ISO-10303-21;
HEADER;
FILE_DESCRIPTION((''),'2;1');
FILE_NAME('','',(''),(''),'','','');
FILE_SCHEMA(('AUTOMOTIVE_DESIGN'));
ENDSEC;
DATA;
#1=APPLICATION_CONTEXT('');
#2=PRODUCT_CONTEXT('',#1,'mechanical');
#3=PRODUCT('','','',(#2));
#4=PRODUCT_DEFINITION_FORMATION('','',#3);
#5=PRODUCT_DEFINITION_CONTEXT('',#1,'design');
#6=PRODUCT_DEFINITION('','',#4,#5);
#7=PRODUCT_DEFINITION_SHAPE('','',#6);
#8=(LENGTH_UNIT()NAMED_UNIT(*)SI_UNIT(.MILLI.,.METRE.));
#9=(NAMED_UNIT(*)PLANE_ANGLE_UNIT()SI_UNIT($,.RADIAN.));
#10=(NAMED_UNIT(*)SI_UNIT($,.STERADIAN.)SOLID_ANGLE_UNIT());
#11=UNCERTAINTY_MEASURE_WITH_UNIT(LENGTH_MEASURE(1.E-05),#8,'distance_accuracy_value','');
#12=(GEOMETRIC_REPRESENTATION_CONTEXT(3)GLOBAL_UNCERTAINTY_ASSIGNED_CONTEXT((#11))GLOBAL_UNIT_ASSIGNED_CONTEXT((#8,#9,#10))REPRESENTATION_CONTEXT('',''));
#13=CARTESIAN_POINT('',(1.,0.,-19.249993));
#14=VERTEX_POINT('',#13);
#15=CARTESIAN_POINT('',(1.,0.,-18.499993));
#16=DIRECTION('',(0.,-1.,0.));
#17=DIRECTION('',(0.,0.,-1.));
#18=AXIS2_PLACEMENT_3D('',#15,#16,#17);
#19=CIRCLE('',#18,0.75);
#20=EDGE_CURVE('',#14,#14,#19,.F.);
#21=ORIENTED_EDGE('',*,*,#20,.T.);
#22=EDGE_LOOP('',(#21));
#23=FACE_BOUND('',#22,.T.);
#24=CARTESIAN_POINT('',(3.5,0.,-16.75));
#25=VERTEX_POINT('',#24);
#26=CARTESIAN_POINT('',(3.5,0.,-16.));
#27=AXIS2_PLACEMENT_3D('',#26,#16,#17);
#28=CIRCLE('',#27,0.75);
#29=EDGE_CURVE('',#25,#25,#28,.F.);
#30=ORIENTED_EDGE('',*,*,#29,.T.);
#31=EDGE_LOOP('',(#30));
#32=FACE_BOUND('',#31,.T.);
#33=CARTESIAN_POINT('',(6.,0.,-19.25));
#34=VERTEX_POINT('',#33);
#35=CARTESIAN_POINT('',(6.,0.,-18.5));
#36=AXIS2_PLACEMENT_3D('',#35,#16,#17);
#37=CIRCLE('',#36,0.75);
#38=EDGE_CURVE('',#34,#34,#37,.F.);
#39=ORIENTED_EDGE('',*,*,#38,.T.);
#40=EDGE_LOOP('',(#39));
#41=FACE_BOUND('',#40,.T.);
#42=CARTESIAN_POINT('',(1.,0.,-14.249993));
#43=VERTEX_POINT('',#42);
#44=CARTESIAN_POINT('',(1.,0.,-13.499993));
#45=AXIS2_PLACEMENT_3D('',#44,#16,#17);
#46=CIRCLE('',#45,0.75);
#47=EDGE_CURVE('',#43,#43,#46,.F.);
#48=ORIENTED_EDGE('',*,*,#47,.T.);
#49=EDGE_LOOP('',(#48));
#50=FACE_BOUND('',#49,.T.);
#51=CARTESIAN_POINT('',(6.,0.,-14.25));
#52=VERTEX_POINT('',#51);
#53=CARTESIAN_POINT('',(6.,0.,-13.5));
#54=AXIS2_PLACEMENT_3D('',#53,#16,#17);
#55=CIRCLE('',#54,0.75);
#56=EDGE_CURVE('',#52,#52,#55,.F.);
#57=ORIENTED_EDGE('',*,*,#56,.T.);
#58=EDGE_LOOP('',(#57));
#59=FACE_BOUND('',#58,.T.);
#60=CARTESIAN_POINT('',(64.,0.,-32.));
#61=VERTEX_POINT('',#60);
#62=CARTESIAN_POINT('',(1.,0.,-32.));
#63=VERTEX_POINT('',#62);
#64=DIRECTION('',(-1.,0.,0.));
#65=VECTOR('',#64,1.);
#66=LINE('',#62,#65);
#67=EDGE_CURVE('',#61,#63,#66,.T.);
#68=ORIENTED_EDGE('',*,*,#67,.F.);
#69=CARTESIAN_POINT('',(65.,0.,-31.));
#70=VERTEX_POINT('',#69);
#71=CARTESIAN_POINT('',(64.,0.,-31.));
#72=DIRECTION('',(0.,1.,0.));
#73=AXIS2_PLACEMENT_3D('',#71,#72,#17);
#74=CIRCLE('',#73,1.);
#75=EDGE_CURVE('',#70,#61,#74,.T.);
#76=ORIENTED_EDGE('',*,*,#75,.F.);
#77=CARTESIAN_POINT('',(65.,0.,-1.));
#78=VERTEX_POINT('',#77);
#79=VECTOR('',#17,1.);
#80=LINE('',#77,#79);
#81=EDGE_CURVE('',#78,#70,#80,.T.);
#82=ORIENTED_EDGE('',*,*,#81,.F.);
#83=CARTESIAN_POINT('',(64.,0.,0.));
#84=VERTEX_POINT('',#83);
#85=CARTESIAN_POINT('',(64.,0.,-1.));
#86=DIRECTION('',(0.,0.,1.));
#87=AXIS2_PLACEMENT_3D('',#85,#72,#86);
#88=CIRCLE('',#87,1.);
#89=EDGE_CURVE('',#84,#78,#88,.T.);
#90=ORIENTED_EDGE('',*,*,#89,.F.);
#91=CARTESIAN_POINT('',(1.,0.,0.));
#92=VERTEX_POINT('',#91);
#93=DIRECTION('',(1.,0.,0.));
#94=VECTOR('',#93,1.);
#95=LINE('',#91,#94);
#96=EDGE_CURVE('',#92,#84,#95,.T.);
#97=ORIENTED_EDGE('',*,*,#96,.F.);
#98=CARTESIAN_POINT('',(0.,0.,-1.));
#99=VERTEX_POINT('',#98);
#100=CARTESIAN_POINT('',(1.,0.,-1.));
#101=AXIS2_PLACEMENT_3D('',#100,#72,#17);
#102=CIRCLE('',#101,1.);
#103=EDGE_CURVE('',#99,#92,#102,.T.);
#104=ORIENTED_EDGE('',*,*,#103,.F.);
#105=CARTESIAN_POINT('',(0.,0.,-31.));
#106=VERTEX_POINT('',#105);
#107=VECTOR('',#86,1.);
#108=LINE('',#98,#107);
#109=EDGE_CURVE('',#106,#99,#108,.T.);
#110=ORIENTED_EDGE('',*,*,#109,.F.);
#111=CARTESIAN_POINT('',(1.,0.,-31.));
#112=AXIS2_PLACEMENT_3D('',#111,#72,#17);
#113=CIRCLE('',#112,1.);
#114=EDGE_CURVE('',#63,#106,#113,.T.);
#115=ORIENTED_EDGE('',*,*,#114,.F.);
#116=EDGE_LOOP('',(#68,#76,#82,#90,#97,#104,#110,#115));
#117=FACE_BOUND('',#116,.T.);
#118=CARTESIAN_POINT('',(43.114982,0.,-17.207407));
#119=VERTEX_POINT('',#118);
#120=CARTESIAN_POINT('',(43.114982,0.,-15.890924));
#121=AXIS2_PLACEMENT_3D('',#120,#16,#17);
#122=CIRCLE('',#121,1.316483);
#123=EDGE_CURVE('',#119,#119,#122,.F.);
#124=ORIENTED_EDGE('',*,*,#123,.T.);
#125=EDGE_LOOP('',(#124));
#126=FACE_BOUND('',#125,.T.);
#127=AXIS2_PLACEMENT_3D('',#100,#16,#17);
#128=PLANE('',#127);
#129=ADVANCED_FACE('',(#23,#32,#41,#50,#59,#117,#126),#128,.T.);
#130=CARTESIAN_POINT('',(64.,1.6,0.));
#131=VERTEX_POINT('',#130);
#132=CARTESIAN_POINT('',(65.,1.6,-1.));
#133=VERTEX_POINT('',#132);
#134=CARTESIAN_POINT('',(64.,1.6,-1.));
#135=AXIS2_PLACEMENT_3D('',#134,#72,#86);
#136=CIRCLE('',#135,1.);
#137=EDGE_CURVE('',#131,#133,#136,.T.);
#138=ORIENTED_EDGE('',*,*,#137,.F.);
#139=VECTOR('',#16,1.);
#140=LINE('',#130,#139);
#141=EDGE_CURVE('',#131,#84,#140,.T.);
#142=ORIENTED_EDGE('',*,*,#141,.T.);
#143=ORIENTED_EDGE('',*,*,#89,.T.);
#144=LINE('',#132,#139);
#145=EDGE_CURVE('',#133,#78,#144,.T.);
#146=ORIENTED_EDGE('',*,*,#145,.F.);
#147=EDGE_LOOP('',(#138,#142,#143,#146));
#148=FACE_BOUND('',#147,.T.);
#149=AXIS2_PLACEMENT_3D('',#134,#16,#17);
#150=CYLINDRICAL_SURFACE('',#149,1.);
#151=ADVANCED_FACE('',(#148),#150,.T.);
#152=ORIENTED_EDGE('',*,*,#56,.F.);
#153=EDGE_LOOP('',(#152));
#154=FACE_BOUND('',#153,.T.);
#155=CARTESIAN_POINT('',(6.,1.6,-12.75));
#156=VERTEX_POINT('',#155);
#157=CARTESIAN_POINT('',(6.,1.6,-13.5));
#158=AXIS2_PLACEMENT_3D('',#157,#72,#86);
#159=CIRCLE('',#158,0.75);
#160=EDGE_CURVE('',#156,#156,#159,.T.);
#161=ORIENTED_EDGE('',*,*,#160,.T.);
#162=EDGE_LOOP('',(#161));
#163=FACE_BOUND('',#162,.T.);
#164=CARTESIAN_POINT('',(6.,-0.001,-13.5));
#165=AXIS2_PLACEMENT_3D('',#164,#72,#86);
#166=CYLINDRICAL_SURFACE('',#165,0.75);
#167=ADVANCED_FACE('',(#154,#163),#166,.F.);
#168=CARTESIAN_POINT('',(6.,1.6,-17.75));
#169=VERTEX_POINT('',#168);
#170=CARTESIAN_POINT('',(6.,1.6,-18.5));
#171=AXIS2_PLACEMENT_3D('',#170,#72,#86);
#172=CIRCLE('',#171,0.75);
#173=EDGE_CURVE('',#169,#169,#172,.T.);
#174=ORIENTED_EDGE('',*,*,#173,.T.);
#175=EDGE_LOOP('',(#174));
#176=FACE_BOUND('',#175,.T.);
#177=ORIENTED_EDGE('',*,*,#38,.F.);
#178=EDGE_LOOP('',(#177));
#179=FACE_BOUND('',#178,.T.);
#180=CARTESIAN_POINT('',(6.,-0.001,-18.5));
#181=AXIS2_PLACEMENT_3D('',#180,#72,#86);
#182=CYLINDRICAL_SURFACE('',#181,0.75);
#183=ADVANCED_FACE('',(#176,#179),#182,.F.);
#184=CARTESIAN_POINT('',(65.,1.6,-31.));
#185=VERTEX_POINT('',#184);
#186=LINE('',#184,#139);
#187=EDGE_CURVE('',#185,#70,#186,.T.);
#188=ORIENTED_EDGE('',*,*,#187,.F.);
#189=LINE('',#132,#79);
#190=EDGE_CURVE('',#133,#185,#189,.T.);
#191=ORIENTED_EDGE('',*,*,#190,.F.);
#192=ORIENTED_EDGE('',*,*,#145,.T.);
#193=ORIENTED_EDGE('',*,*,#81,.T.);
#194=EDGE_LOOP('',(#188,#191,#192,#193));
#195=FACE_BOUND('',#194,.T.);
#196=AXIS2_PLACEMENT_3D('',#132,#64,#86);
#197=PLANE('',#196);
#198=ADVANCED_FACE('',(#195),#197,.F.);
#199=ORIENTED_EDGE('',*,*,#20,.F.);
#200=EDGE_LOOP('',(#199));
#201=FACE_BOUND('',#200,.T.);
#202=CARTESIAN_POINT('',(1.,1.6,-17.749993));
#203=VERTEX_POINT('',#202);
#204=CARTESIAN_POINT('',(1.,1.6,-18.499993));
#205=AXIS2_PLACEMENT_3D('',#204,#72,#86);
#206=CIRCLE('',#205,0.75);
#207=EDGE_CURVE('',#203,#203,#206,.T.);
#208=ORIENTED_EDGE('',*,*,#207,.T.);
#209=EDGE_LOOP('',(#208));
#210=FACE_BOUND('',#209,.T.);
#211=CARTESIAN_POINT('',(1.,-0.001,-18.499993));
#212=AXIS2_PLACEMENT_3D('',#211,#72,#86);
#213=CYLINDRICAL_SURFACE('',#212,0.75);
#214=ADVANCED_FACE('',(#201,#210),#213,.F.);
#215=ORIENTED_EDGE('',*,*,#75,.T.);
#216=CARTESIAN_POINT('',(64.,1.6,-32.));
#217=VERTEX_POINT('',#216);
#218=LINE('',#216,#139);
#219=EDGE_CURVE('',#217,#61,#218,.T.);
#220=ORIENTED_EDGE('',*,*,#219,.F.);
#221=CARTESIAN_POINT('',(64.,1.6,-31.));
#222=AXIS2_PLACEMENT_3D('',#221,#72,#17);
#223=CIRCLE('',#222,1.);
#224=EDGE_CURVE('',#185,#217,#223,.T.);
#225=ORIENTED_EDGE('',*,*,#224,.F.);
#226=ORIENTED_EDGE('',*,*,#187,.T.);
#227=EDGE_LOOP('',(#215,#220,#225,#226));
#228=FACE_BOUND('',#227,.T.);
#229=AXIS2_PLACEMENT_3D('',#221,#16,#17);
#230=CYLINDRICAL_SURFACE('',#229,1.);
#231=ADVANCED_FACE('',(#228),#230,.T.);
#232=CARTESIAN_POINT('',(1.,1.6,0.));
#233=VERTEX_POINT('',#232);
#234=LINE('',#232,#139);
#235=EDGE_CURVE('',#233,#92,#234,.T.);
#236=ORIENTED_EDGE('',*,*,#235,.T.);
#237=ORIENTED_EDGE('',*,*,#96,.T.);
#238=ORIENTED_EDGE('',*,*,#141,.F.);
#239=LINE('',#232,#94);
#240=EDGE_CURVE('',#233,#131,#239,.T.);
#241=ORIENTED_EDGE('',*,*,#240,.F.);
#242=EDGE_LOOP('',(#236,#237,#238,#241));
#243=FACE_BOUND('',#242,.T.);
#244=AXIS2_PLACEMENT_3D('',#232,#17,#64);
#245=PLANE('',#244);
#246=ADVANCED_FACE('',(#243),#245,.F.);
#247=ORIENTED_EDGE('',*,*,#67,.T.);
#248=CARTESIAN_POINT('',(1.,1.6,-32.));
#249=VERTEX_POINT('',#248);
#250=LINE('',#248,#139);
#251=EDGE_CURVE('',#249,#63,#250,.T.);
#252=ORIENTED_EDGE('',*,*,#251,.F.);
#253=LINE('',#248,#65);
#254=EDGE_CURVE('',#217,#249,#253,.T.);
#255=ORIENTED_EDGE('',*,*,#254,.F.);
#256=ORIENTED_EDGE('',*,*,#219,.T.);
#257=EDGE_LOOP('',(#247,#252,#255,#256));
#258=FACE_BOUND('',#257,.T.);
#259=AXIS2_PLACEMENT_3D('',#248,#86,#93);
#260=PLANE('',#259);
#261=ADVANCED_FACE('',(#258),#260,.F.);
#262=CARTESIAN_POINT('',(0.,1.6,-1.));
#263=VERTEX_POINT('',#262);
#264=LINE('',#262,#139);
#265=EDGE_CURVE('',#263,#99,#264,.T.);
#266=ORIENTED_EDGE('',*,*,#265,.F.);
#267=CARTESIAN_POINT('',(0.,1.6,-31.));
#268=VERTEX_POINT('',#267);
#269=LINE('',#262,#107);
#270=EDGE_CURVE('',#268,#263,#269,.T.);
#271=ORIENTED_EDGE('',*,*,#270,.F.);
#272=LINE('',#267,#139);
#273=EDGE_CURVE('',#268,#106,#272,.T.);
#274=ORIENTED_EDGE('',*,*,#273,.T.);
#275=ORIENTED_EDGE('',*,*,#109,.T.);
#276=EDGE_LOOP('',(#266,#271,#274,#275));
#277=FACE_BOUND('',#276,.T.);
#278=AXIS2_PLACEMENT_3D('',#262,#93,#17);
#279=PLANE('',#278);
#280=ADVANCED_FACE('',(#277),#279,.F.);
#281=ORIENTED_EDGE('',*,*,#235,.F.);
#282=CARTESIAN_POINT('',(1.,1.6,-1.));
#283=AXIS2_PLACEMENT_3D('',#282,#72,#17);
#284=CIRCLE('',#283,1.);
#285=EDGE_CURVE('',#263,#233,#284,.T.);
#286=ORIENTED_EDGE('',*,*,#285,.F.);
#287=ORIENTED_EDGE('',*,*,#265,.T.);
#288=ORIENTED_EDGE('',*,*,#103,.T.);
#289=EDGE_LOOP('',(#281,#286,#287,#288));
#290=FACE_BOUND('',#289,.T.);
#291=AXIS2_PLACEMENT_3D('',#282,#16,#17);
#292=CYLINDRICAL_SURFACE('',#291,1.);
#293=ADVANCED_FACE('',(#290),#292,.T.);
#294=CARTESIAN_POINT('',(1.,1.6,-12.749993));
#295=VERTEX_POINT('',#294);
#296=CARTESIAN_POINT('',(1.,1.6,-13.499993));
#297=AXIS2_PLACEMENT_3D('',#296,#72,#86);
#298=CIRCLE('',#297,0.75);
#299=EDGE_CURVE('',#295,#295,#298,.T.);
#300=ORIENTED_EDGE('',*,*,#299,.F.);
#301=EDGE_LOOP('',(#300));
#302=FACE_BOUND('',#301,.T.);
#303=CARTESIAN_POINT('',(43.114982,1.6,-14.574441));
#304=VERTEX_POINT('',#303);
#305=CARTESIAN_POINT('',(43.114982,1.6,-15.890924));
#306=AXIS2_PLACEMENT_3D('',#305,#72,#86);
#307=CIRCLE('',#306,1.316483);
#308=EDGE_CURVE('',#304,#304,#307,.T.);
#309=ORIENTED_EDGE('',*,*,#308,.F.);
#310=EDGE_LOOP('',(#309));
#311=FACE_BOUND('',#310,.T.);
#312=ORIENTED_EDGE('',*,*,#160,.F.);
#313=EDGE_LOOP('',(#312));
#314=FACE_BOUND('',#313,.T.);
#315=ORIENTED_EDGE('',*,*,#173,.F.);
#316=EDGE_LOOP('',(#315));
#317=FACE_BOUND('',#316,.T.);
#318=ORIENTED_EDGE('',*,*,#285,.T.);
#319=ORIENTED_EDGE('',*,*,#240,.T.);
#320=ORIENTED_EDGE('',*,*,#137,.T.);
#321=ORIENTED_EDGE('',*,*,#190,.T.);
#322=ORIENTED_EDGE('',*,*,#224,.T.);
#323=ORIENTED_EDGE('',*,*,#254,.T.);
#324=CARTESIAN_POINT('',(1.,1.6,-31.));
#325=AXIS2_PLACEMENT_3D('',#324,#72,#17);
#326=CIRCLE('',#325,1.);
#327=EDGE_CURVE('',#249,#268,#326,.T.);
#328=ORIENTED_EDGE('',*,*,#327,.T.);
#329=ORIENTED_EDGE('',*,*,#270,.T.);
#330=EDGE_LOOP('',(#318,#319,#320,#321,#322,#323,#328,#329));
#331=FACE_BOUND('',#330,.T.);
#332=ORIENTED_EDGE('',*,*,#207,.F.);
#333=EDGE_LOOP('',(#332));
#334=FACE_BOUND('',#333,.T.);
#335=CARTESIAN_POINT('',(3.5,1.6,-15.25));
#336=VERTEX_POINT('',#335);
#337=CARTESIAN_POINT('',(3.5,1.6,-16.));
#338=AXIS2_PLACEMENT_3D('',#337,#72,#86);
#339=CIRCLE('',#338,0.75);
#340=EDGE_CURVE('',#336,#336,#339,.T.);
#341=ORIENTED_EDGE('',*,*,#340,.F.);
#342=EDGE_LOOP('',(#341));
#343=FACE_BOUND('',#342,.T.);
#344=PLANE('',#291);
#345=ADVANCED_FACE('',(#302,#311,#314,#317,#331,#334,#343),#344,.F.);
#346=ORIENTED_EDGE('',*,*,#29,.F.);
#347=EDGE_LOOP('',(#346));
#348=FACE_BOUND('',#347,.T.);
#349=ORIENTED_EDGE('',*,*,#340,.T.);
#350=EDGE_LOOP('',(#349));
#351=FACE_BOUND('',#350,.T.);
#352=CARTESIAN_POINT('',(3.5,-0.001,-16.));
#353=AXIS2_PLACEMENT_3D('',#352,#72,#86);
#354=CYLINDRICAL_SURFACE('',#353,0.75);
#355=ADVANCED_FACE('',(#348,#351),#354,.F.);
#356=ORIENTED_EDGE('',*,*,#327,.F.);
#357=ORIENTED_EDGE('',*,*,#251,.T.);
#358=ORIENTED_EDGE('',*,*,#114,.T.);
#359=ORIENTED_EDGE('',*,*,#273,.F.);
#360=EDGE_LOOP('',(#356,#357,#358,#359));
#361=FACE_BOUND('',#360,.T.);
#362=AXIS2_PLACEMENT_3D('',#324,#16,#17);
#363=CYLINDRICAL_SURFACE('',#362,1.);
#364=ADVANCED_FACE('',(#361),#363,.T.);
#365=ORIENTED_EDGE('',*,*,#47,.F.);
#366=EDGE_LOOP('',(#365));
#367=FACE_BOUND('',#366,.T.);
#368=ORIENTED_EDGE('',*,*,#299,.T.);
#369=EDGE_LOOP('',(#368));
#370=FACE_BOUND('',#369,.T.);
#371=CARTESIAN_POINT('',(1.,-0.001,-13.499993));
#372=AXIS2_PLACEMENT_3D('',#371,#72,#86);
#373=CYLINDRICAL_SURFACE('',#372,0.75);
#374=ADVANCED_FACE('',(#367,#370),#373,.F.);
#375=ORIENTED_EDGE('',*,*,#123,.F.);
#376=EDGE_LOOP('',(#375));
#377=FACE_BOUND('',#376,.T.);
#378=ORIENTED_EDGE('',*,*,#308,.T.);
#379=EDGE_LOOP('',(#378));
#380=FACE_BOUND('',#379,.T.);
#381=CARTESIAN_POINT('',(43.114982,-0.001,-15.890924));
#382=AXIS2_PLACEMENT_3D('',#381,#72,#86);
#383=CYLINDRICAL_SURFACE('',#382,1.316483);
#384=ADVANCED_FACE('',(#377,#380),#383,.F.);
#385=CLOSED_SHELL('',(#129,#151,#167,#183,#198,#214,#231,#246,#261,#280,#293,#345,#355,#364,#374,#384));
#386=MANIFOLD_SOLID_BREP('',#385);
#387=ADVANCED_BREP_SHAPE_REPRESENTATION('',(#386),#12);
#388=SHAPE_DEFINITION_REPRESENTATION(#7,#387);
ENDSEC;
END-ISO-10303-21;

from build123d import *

# Parameters (mm, degrees)
BOSS_EXTRUDE1_DEPTH = 1.6
CUT_EXTRUDE2_REACH  = 74.468
SKETCH8_R           = 0.75
CUT_EXTRUDE3_REACH  = 74.468
SKETCH9_R           = 1.316483274


with BuildPart() as part:
    # Sketch1 → Boss-Extrude1 (new body)
    with BuildSketch(Plane(origin=(0, 0, 0), x_dir=(1, 0, 0), z_dir=(0, 1, 0))):
        with BuildLine():
            Line((1, 0), (64, 0))
            ThreePointArc((64, 0), (64.707106781, 0.292893219), (65, 1))
            Line((65, 1), (65, 31))
            ThreePointArc((65, 31), (64.707106781, 31.707106781), (64, 32))
            Line((64, 32), (1, 32))
            ThreePointArc((1, 32), (0.292893219, 31.707106781), (0, 31))
            Line((0, 31), (0, 1))
            ThreePointArc((0, 1), (0.292893219, 0.292893219), (1, 0))
        make_face()
    extrude(amount=BOSS_EXTRUDE1_DEPTH)

    # Sketch8 → Cut-Extrude2 (cut, up to next)
    with BuildSketch(Plane(origin=(0, 1.6, 0), x_dir=(1, 0, 0), z_dir=(0, 1, 0)), mode=Mode.PRIVATE) as cut_extrude2_sk1:
        with Locations(Location((3.5, 16, 0), (0, 0, 270))):
            Circle(SKETCH8_R)
    cut_extrude2_tool1 = extrude(cut_extrude2_sk1.sketch, amount=-CUT_EXTRUDE2_REACH, mode=Mode.PRIVATE) & part.part
    # Sketch8 → Cut-Extrude2 (cut, up to next)
    with BuildSketch(Plane(origin=(0, 1.6, 0), x_dir=(1, 0, 0), z_dir=(0, 1, 0)), mode=Mode.PRIVATE) as cut_extrude2_sk2:
        with Locations(Location((6, 18.5, 0), (0, 0, 270))):
            Circle(SKETCH8_R)
    cut_extrude2_tool2 = extrude(cut_extrude2_sk2.sketch, amount=-CUT_EXTRUDE2_REACH, mode=Mode.PRIVATE) & part.part
    # Sketch8 → Cut-Extrude2 (cut, up to next)
    with BuildSketch(Plane(origin=(0, 1.6, 0), x_dir=(1, 0, 0), z_dir=(0, 1, 0)), mode=Mode.PRIVATE) as cut_extrude2_sk3:
        with Locations(Location((6, 13.5, 0), (0, 0, 270))):
            Circle(SKETCH8_R)
    cut_extrude2_tool3 = extrude(cut_extrude2_sk3.sketch, amount=-CUT_EXTRUDE2_REACH, mode=Mode.PRIVATE) & part.part
    # Sketch8 → Cut-Extrude2 (cut, up to next)
    with BuildSketch(Plane(origin=(0, 1.6, 0), x_dir=(1, 0, 0), z_dir=(0, 1, 0)), mode=Mode.PRIVATE) as cut_extrude2_sk4:
        with Locations(Location((1, 13.499992953, 0), (0, 0, 270))):
            Circle(SKETCH8_R)
    cut_extrude2_tool4 = extrude(cut_extrude2_sk4.sketch, amount=-CUT_EXTRUDE2_REACH, mode=Mode.PRIVATE) & part.part
    # Sketch8 → Cut-Extrude2 (cut, up to next)
    with BuildSketch(Plane(origin=(0, 1.6, 0), x_dir=(1, 0, 0), z_dir=(0, 1, 0)), mode=Mode.PRIVATE) as cut_extrude2_sk5:
        with Locations(Location((1, 18.499992953, 0), (0, 0, 270))):
            Circle(SKETCH8_R)
    cut_extrude2_tool5 = extrude(cut_extrude2_sk5.sketch, amount=-CUT_EXTRUDE2_REACH, mode=Mode.PRIVATE) & part.part
    add(cut_extrude2_tool1.solids().sort_by_distance((3.5, 1.6, -16))[0], mode=Mode.SUBTRACT)
    add(cut_extrude2_tool2.solids().sort_by_distance((6, 1.6, -18.5))[0], mode=Mode.SUBTRACT)
    add(cut_extrude2_tool3.solids().sort_by_distance((6, 1.6, -13.5))[0], mode=Mode.SUBTRACT)
    add(cut_extrude2_tool4.solids().sort_by_distance((1, 1.6, -13.499993))[0], mode=Mode.SUBTRACT)
    add(cut_extrude2_tool5.solids().sort_by_distance((1, 1.6, -18.499993))[0], mode=Mode.SUBTRACT)

    # Sketch9 → Cut-Extrude3 (cut, up to next)
    with BuildSketch(Plane(origin=(0, 1.6, 0), x_dir=(1, 0, 0), z_dir=(0, 1, 0)), mode=Mode.PRIVATE) as cut_extrude3_sk1:
        with Locations(Location((43.114982321, 15.890924109, 0), (0, 0, 270))):
            Circle(SKETCH9_R)
    cut_extrude3_tool1 = extrude(cut_extrude3_sk1.sketch, amount=-CUT_EXTRUDE3_REACH, mode=Mode.PRIVATE) & part.part
    add(cut_extrude3_tool1.solids().sort_by_distance((43.114982, 1.6, -15.890924))[0], mode=Mode.SUBTRACT)


solid = part.part
